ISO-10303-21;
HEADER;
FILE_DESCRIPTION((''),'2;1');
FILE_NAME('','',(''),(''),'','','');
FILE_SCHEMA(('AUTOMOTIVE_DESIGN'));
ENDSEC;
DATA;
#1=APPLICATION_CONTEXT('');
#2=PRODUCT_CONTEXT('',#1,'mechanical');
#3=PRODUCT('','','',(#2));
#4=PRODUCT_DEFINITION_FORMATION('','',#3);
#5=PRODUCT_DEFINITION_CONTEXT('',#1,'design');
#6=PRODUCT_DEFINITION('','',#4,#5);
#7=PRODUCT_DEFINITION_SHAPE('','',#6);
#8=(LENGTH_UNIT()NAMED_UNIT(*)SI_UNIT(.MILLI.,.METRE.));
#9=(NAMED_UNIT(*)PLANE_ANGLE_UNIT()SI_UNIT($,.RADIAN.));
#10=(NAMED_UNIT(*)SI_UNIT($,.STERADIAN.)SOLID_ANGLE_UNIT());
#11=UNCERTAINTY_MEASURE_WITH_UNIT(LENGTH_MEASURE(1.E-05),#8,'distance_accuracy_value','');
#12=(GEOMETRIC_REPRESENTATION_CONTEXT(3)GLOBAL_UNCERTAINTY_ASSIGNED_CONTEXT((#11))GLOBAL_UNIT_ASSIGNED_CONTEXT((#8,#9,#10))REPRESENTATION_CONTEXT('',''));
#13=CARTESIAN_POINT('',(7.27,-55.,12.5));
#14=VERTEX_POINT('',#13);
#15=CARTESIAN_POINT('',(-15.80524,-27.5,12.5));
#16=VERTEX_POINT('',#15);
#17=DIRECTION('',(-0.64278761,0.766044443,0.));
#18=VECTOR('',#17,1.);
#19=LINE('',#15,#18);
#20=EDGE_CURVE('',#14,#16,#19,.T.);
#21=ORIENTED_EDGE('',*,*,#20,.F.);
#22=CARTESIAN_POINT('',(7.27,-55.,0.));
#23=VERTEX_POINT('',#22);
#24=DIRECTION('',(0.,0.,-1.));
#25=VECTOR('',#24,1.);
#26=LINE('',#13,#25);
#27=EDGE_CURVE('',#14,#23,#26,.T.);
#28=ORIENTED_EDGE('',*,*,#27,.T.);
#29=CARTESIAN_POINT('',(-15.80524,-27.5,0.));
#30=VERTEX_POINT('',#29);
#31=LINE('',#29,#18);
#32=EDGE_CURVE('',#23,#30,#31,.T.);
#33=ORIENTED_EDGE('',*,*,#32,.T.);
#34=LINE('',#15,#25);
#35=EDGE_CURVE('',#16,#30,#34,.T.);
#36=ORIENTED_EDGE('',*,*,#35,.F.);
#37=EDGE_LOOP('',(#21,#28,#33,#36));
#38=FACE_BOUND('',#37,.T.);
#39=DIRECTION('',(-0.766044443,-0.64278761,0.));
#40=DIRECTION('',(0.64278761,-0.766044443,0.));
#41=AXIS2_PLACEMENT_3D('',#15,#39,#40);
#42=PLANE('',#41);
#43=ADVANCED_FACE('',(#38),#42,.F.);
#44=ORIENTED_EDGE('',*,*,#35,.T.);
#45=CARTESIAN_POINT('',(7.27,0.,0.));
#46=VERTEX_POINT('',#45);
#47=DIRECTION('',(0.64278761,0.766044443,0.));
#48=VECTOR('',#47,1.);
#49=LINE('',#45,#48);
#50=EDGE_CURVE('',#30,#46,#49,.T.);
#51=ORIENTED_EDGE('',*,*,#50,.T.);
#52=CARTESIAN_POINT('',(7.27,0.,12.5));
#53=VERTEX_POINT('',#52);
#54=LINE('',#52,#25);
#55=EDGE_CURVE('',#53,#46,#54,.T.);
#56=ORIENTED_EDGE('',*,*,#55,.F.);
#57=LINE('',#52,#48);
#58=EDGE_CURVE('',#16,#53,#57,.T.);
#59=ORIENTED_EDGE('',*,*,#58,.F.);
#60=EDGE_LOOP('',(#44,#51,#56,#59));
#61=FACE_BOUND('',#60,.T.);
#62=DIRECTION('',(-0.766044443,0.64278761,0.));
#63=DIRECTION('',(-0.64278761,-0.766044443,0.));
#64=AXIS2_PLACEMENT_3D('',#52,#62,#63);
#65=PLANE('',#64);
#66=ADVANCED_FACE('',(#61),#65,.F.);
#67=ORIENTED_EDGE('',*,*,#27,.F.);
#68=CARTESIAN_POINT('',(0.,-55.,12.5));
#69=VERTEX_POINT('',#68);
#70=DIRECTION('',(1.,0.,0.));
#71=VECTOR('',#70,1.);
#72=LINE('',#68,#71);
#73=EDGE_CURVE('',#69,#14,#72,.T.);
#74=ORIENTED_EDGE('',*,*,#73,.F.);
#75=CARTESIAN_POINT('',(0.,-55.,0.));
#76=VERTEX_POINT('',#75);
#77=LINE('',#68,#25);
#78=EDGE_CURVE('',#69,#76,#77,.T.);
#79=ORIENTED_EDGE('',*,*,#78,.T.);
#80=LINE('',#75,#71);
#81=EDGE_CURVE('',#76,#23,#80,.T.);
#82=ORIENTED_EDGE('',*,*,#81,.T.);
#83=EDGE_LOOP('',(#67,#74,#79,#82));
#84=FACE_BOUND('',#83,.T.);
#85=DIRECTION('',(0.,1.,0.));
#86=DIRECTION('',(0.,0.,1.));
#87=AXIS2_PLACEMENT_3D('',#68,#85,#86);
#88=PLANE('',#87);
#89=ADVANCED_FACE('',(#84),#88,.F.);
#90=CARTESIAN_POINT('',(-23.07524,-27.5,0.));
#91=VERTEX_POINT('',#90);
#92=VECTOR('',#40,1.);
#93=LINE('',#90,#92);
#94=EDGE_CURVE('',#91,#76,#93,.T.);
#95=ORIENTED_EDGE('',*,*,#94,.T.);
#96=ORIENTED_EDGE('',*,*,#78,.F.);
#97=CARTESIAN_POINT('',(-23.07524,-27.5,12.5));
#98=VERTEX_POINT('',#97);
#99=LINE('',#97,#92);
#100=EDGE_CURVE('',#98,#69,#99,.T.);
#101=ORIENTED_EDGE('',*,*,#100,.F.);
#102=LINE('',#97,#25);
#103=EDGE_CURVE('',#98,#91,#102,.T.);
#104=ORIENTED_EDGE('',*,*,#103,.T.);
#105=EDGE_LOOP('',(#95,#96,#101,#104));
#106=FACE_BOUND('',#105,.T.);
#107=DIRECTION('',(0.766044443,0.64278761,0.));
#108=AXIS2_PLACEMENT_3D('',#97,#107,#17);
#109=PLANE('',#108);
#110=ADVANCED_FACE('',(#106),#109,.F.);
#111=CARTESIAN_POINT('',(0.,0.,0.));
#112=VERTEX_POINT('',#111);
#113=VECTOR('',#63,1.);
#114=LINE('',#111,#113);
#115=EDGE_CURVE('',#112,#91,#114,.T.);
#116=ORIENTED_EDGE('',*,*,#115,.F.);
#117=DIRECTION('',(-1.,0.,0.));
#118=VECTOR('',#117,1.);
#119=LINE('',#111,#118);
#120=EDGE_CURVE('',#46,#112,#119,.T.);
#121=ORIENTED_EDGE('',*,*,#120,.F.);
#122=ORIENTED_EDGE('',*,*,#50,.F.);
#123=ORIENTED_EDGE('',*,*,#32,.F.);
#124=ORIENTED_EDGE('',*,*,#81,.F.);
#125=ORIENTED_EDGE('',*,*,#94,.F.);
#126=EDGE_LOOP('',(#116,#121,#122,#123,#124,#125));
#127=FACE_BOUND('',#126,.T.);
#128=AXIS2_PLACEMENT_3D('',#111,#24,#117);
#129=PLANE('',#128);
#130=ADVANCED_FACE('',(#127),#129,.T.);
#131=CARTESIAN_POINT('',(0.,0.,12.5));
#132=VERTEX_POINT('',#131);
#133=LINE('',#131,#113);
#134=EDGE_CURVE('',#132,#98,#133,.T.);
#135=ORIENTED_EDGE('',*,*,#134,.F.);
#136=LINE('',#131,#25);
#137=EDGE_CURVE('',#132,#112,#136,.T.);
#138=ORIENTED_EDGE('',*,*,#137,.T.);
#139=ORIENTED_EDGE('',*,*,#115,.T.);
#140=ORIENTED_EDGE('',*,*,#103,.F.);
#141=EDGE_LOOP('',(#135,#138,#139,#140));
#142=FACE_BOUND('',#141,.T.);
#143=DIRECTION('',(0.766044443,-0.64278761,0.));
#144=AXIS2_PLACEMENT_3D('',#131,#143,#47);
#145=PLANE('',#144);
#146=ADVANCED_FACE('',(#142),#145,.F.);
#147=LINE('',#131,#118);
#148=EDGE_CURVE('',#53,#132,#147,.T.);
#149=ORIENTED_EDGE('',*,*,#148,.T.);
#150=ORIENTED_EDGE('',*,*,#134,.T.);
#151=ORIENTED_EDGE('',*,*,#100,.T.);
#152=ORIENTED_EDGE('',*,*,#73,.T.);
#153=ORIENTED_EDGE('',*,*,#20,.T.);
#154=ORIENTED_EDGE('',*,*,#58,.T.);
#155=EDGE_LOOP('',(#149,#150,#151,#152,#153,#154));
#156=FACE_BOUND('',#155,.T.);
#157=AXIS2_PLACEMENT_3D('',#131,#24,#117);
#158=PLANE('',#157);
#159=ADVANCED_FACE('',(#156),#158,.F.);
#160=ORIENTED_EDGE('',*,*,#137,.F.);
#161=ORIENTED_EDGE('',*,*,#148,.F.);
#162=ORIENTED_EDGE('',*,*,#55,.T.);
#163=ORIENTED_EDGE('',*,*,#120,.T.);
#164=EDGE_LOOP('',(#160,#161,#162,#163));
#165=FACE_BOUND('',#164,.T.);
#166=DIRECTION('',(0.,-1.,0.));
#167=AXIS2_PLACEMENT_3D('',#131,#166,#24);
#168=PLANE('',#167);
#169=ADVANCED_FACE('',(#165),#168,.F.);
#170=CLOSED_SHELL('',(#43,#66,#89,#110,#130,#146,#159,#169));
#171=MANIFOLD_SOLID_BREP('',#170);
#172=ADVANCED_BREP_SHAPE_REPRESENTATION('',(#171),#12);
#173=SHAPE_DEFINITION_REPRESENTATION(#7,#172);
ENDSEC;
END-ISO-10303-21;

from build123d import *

# Parameters (mm, degrees)
BOSS_EXTRUDE1_DEPTH = 12.5


with BuildPart() as part:
    # Sketch1 → Boss-Extrude1 (new body)
    with BuildSketch(Plane.XY):
        Polygon((0, 0), (-23.075239857, -27.5), (0, -55), (7.27, -55), (-15.805239857, -27.5), (7.27, 0), align=None)
    extrude(amount=BOSS_EXTRUDE1_DEPTH)


solid = part.part
